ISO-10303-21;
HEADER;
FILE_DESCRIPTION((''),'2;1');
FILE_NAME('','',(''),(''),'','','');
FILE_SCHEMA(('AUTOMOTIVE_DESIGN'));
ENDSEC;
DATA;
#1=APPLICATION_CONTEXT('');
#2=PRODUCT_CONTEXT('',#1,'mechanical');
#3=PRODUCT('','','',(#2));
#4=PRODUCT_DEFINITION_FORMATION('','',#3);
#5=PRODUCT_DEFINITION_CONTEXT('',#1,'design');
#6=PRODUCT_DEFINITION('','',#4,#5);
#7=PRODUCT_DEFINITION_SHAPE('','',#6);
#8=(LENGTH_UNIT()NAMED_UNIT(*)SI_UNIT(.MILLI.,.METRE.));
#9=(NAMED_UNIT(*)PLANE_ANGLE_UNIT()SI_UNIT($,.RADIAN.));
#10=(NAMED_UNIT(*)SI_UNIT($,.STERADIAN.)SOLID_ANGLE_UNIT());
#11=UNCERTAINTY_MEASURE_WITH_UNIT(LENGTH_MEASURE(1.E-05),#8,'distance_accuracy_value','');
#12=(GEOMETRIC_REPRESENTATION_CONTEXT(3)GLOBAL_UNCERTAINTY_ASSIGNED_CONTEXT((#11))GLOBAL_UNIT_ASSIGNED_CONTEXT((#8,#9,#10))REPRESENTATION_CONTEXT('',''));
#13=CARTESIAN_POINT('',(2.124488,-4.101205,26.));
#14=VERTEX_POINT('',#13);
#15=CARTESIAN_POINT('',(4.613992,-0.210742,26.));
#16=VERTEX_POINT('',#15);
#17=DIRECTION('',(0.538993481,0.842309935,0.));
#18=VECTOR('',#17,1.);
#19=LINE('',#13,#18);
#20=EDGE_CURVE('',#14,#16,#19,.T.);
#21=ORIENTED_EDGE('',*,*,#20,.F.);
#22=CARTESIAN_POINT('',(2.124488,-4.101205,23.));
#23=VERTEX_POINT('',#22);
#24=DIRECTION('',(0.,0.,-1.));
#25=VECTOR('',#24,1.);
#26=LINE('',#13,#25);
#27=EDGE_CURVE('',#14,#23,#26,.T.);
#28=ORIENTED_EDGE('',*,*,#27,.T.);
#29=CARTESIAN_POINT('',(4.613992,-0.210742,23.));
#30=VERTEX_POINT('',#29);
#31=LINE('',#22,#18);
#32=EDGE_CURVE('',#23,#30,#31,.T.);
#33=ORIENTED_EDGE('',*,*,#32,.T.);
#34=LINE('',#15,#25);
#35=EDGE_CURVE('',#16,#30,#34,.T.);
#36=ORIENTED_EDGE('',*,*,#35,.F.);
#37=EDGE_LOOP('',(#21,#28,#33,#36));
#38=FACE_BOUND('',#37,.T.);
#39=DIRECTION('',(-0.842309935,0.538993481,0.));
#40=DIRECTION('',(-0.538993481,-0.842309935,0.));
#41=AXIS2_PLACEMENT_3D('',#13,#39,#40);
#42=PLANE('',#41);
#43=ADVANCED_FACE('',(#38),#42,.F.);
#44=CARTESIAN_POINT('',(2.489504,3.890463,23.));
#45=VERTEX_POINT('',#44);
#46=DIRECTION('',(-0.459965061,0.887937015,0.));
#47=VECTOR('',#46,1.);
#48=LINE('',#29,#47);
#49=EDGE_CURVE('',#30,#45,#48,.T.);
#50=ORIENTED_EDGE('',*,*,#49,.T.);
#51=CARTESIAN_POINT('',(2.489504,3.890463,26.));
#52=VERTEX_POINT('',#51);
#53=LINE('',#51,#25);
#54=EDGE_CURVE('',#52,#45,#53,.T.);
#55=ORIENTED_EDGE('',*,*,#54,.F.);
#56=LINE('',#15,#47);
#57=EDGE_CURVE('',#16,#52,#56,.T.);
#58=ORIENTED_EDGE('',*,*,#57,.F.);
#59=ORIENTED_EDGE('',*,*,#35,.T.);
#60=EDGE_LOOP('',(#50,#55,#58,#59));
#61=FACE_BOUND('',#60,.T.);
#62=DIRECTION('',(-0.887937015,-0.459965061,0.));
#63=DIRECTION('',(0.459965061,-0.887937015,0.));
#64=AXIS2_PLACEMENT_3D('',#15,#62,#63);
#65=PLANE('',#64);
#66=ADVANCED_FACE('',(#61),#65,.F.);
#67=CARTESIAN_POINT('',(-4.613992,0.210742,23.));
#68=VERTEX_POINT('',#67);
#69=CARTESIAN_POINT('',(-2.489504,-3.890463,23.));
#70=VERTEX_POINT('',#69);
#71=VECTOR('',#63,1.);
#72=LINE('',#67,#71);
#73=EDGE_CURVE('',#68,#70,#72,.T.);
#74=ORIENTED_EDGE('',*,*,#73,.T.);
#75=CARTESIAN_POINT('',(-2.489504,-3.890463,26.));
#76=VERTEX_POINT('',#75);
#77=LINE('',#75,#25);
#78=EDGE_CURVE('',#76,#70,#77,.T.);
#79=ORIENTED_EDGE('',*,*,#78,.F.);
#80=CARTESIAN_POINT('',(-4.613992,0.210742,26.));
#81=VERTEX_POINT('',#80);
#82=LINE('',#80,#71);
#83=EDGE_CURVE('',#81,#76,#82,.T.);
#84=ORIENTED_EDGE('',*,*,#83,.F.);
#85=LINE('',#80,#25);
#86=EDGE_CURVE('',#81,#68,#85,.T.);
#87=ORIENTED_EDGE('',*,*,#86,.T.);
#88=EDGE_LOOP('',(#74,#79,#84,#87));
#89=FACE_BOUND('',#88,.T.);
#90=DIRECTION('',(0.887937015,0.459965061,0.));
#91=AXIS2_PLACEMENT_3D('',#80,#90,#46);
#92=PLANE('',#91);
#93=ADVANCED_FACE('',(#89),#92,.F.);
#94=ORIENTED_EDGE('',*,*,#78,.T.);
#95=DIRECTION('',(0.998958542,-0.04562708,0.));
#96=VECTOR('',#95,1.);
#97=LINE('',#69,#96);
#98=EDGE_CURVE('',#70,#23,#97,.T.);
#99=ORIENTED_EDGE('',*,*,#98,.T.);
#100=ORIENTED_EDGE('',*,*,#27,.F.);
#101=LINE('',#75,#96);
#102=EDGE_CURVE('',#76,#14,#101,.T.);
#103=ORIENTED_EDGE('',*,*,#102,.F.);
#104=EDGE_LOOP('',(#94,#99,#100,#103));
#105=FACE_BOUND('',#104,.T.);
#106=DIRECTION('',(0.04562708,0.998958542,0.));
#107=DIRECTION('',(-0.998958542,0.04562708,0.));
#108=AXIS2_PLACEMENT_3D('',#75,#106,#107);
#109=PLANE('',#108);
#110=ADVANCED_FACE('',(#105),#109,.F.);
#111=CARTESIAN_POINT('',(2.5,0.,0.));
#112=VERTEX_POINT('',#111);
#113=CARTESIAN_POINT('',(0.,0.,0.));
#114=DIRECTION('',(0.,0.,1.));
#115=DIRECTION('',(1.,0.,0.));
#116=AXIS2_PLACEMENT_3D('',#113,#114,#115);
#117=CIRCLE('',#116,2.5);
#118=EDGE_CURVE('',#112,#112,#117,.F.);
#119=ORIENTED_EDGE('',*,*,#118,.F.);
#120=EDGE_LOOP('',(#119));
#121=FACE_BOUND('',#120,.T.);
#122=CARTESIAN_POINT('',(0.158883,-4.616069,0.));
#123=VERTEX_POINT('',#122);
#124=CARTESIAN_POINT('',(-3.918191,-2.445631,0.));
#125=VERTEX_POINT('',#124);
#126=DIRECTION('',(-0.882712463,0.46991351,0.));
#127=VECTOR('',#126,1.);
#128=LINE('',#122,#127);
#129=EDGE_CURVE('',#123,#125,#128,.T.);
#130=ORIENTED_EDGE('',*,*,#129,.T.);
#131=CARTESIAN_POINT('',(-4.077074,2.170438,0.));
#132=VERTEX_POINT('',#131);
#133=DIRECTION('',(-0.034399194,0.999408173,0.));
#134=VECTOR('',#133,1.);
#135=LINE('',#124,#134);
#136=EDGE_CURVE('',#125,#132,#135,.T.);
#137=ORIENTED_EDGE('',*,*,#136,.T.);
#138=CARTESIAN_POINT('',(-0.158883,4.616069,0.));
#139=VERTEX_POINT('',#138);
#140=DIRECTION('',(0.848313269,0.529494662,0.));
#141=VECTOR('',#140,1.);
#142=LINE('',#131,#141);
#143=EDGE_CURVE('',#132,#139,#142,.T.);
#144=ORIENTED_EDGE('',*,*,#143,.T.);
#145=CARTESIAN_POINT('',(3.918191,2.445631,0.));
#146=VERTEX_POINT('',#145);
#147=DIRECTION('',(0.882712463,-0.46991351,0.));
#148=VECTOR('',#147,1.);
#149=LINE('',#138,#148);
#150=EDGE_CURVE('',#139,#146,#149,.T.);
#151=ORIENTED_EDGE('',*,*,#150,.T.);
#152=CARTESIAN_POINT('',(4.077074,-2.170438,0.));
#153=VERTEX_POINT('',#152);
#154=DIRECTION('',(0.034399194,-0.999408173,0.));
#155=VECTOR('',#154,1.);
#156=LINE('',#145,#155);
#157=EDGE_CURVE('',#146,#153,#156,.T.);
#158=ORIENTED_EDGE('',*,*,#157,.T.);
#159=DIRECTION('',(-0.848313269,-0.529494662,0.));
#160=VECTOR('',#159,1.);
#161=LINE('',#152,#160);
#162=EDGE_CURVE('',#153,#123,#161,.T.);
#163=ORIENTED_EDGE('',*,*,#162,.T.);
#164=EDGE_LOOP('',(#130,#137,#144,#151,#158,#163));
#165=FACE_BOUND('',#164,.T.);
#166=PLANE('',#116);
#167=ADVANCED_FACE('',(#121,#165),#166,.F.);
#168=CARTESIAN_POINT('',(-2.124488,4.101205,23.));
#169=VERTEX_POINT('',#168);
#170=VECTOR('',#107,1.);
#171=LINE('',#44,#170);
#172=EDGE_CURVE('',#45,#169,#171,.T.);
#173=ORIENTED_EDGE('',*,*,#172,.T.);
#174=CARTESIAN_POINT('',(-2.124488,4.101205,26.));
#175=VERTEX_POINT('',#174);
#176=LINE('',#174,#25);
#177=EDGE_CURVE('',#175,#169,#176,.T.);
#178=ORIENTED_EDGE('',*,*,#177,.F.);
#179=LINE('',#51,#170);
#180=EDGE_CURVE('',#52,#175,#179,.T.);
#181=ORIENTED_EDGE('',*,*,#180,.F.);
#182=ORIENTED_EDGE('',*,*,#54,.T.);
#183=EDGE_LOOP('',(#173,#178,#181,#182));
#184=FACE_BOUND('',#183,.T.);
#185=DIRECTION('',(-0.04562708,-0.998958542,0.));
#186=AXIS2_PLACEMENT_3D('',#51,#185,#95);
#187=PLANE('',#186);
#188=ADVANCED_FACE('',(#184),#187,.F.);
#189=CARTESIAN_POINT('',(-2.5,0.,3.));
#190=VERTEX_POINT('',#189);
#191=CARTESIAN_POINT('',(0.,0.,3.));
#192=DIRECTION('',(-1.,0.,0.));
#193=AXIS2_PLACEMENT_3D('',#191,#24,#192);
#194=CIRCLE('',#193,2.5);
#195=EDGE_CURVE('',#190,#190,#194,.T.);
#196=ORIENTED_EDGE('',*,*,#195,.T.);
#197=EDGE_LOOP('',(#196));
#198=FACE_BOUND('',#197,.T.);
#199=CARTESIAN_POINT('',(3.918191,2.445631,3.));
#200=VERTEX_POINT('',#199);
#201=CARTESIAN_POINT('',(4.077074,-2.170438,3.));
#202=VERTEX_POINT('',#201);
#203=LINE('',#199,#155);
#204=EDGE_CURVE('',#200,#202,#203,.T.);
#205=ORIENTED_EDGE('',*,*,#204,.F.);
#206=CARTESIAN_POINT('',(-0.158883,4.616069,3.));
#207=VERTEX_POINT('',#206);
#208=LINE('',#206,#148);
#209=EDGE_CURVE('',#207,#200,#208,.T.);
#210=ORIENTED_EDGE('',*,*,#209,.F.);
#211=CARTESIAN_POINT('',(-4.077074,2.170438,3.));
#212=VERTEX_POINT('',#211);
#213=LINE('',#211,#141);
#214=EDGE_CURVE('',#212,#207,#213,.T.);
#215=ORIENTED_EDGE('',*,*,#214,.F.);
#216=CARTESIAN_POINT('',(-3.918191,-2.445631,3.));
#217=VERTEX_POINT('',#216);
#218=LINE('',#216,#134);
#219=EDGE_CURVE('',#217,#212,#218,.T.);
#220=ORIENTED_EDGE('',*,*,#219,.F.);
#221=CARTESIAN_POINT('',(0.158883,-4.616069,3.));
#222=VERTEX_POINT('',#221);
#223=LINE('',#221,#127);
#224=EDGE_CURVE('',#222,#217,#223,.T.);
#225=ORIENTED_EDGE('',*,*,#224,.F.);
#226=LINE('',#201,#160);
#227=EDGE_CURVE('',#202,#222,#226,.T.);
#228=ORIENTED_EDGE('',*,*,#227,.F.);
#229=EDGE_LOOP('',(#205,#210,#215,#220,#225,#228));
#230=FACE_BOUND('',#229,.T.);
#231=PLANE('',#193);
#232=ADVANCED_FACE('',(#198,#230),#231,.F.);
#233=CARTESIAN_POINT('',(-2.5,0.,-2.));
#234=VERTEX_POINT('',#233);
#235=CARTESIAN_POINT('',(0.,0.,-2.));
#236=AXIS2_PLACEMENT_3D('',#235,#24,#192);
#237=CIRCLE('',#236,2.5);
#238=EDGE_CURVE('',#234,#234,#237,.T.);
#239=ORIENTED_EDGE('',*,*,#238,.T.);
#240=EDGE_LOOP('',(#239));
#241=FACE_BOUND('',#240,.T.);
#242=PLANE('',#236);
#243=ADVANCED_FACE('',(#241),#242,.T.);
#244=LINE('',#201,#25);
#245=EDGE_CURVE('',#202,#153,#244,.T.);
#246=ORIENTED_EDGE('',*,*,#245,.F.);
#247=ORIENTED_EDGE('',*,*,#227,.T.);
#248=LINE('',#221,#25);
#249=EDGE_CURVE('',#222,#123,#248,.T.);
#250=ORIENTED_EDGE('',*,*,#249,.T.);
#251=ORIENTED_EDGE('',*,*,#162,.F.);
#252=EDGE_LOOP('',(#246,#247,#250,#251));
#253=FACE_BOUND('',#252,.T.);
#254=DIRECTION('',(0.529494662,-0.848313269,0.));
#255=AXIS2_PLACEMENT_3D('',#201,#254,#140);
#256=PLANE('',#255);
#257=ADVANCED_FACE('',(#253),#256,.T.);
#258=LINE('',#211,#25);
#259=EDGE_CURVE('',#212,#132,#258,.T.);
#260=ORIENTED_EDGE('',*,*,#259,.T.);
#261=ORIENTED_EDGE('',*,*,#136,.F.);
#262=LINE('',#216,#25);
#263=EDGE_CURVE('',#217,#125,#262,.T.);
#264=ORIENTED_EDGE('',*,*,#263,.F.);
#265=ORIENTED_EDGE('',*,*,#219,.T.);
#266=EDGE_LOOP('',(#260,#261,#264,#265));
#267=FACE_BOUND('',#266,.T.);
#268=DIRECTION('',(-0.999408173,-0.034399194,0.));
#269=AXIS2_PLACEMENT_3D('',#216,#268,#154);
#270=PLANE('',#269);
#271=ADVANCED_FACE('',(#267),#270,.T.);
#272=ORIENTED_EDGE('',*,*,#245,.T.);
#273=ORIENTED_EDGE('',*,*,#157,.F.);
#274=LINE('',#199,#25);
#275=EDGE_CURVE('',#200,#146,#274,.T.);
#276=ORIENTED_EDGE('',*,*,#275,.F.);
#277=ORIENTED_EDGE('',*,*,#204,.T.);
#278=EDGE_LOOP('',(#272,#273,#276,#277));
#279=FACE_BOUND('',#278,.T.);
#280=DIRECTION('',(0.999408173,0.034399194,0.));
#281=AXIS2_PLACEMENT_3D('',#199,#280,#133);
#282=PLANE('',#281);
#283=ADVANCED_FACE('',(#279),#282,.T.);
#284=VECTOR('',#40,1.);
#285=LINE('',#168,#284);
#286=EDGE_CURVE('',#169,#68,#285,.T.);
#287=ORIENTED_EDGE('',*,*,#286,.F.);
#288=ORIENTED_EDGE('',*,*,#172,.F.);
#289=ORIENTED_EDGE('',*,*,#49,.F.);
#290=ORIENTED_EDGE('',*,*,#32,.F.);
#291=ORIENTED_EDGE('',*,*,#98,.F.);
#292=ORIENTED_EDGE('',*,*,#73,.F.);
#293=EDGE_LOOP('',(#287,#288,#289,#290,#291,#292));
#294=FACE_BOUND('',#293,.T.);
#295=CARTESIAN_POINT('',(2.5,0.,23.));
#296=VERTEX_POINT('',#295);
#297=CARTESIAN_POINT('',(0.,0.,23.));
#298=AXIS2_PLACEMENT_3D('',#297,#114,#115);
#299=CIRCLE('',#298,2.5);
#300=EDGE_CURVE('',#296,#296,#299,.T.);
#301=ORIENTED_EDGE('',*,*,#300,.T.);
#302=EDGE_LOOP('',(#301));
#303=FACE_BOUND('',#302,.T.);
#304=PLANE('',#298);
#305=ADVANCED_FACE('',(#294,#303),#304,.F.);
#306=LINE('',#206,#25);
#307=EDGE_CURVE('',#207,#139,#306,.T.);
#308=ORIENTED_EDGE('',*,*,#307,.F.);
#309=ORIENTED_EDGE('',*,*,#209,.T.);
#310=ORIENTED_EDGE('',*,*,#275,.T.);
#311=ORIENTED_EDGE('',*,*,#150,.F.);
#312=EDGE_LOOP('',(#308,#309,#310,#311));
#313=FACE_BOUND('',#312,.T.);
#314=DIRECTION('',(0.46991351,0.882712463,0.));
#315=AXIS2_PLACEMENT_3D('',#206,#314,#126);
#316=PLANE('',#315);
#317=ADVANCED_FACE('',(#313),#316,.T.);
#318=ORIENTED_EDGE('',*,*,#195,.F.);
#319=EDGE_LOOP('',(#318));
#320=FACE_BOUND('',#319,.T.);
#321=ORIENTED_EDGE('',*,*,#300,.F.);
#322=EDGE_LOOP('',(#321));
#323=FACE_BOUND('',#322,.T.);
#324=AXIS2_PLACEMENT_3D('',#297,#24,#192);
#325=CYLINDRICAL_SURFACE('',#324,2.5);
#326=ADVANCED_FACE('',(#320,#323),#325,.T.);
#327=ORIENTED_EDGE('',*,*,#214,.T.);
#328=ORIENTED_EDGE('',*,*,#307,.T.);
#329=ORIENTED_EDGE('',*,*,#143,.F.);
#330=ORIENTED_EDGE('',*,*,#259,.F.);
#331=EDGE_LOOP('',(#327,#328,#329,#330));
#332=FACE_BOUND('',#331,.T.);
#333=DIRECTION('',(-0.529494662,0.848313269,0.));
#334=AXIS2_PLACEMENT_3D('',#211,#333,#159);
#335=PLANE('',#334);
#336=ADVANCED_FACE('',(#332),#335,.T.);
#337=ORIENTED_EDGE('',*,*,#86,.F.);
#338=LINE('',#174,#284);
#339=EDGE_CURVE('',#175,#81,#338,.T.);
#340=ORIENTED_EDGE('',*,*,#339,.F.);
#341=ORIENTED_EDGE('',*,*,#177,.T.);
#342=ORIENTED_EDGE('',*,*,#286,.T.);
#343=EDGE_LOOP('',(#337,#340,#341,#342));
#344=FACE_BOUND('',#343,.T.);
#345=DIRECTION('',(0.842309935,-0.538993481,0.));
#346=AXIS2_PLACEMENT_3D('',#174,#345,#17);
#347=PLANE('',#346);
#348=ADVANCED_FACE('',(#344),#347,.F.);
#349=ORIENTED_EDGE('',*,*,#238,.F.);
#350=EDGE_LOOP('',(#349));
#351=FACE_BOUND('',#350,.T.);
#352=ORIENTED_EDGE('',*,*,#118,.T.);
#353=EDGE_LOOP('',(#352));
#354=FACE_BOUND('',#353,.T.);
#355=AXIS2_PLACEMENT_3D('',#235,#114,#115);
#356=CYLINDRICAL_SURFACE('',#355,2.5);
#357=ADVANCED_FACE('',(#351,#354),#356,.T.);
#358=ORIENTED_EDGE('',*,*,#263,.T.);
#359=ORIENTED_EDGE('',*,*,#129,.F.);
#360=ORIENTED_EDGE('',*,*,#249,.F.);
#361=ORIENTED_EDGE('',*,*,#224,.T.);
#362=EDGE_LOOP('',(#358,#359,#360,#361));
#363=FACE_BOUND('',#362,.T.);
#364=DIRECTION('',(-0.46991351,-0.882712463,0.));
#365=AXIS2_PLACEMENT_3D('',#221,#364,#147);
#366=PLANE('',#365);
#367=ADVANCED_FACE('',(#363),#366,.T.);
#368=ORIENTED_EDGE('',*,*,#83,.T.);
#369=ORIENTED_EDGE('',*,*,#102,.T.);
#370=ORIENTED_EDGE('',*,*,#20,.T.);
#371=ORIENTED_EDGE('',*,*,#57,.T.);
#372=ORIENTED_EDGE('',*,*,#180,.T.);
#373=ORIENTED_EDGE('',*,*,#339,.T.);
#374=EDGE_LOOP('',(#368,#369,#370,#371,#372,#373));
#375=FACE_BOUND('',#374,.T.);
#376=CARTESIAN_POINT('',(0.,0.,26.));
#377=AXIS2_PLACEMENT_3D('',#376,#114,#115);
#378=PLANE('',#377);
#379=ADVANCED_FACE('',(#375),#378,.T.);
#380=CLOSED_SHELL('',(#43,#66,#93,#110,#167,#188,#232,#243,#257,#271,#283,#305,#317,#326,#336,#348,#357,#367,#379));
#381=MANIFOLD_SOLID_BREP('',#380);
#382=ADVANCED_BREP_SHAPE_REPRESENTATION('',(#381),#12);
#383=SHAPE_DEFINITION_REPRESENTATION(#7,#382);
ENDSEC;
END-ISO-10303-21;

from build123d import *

# Parameters (mm, degrees)
SKETCH1_R           = 2.5
BOSS_EXTRUDE1_DEPTH = 23
BOSS_EXTRUDE2_DEPTH = 3
BOSS_EXTRUDE3_DEPTH = 3
BOSS_EXTRUDE4_START = 2
SKETCH4_R           = 2.5
BOSS_EXTRUDE4_DEPTH = 2


with BuildPart() as part:
    # Sketch1 → Boss-Extrude1 (new body)
    with BuildSketch(Plane.XY):
        Circle(SKETCH1_R)
    extrude(amount=BOSS_EXTRUDE1_DEPTH)

    # Sketch2 → Boss-Extrude2 (add)
    with BuildSketch(Plane.XY.offset(23)):
        Polygon((2.489504252, 3.890462943), (-2.124487616, 4.101205397), (-4.613991867, 0.210742453), (-2.489504252, -3.890462943), (2.124487616, -4.101205397), (4.613991867, -0.210742453), align=None)
    extrude(amount=BOSS_EXTRUDE2_DEPTH)

    # Sketch3 → Boss-Extrude3 (add)
    with BuildSketch(Plane(origin=(0, 0, 0), x_dir=(-1, 0, 0), z_dir=(0, 0, -1))):
        Polygon((4.077074227, 2.170437533), (0.158883072, 4.61606862), (-3.918191154, 2.445631087), (-4.077074227, -2.170437533), (-0.158883072, -4.61606862), (3.918191154, -2.445631087), align=None)
    extrude(amount=-BOSS_EXTRUDE3_DEPTH)

    # Sketch4 → Boss-Extrude4 (add)
    with BuildSketch(Plane(origin=(0, 0, 0), x_dir=(-1, 0, 0), z_dir=(0, 0, -1)).offset(BOSS_EXTRUDE4_START)):
        Circle(SKETCH4_R)
    extrude(amount=-BOSS_EXTRUDE4_DEPTH)


solid = part.part
